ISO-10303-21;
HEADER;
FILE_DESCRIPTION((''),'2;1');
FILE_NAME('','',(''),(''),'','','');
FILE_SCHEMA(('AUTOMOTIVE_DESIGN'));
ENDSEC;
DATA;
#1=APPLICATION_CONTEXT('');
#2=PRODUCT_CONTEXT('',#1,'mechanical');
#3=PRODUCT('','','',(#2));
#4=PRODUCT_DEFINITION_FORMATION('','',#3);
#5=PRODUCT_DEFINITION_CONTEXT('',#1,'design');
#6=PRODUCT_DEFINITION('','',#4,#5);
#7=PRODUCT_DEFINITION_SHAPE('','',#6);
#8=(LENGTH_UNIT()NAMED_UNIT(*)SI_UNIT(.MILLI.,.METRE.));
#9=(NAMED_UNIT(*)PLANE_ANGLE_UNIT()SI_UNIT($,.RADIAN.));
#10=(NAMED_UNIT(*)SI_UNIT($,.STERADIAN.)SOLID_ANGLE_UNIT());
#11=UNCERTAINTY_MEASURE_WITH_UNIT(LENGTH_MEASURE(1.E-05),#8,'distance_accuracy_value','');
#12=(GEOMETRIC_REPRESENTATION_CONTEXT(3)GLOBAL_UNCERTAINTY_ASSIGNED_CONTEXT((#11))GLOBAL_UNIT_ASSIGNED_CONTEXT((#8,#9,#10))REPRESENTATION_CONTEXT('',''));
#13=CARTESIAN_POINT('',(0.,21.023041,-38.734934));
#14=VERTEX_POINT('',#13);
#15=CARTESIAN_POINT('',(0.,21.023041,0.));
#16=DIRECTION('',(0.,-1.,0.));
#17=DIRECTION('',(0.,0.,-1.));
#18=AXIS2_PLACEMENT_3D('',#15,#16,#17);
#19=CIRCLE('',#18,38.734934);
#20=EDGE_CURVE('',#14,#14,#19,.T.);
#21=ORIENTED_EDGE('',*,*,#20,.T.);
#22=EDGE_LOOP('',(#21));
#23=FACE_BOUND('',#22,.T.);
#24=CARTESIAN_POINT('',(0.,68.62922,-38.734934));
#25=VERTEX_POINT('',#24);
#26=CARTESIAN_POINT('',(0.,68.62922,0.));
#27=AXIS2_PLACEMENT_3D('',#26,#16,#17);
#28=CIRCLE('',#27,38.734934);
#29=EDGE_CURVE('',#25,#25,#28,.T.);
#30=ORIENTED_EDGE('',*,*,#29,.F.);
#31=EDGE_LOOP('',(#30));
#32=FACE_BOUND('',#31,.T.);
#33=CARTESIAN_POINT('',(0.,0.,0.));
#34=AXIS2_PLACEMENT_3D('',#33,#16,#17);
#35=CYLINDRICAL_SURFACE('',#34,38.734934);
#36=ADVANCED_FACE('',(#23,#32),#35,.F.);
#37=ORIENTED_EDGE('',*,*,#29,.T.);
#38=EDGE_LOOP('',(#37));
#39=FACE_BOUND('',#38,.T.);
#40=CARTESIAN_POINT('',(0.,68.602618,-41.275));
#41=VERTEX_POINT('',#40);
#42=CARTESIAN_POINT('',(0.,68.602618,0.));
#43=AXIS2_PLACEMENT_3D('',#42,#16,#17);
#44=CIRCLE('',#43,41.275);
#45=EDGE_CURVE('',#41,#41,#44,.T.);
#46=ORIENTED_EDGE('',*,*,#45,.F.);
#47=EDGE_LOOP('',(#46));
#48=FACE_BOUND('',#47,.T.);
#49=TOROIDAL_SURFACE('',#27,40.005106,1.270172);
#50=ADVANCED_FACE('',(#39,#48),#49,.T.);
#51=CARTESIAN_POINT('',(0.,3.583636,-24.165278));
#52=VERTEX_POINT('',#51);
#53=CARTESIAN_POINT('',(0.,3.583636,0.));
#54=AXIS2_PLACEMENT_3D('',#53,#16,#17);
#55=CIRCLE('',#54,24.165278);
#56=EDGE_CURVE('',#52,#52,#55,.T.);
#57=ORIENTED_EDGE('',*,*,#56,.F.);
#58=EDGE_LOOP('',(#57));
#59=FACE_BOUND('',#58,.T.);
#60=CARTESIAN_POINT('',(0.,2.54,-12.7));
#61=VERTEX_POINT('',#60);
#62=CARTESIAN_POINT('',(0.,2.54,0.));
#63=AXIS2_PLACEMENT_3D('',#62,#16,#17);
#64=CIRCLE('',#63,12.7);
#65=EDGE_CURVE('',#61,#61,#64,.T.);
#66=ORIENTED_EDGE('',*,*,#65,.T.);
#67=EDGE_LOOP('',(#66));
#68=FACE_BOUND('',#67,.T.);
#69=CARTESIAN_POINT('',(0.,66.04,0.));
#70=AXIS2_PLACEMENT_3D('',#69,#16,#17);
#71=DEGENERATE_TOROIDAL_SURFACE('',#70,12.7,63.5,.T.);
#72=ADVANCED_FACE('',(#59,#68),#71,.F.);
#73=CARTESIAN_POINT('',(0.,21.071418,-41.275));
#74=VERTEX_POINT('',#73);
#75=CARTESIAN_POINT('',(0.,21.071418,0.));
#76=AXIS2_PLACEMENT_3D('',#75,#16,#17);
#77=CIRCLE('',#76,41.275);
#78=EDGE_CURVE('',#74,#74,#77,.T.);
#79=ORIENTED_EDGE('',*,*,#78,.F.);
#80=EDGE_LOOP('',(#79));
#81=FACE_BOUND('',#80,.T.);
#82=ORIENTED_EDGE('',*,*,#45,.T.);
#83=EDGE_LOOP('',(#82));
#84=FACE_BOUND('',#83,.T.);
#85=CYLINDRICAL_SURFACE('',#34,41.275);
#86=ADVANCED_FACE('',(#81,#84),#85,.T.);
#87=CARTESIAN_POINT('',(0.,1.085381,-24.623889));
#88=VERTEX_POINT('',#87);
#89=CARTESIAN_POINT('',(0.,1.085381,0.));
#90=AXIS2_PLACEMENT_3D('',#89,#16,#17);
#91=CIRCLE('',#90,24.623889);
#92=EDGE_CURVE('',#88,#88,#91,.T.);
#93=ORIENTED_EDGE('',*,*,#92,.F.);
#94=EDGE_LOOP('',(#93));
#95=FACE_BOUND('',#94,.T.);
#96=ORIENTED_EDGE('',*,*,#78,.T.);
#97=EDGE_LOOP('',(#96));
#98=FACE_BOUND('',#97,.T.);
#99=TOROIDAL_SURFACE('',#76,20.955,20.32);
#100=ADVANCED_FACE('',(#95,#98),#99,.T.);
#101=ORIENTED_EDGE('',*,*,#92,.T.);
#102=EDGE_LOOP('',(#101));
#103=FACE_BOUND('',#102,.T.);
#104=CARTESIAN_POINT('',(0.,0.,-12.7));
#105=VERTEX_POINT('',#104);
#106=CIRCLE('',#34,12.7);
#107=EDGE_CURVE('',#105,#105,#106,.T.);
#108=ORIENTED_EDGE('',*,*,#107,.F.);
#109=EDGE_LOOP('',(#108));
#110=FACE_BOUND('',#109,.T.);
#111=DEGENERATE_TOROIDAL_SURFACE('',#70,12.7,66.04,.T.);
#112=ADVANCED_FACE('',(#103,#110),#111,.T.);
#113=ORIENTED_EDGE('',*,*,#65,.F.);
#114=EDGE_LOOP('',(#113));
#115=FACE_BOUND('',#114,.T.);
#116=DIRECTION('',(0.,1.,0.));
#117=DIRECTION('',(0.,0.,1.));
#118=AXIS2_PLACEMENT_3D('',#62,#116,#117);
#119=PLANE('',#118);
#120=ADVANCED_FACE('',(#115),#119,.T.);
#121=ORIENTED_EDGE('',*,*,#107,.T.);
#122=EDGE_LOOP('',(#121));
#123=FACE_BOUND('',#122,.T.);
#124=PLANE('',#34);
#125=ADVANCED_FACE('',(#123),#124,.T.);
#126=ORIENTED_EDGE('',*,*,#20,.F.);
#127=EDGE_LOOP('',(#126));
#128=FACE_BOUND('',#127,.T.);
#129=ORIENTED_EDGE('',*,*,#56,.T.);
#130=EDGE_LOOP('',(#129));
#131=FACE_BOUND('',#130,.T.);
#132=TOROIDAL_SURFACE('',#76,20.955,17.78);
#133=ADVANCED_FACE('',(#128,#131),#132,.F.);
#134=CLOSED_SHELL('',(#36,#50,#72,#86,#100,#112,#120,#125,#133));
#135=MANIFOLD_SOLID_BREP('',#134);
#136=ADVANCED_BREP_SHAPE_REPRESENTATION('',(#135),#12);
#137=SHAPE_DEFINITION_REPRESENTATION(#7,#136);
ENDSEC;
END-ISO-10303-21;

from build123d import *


with BuildPart() as part:
    # Sketch1 → Revolve1 (revolve)
    with BuildSketch(Plane.XY):
        with BuildLine():
            Line((0, 0), (12.7, 0))
            ThreePointArc((12.7, 0), (18.686592918, 0.271905112), (24.623888889, 1.085381429))
            ThreePointArc((24.623888889, 1.085381429), (36.566761948, 8.064677779), (41.275, 21.071417912))
            Line((41.275, 21.071417912), (41.275, 68.602618404))
            ThreePointArc((41.275, 68.602618404), (40.018407707, 69.89932214), (38.734934185, 68.629219589))
            Line((38.734934185, 68.629219589), (38.734934185, 21.023040538))
            ThreePointArc((38.734934185, 21.023040538), (34.599795979, 9.671946754), (24.165277778, 3.583635989))
            ThreePointArc((24.165277778, 3.583635989), (18.456339345, 2.801447223), (12.7, 2.54))
            Line((12.7, 2.54), (0, 2.54))
            Line((0, 2.54), (0, 0))
        make_face()
    revolve(axis=Axis((0, 0, 0), (0, 1, 0)))


solid = part.part
